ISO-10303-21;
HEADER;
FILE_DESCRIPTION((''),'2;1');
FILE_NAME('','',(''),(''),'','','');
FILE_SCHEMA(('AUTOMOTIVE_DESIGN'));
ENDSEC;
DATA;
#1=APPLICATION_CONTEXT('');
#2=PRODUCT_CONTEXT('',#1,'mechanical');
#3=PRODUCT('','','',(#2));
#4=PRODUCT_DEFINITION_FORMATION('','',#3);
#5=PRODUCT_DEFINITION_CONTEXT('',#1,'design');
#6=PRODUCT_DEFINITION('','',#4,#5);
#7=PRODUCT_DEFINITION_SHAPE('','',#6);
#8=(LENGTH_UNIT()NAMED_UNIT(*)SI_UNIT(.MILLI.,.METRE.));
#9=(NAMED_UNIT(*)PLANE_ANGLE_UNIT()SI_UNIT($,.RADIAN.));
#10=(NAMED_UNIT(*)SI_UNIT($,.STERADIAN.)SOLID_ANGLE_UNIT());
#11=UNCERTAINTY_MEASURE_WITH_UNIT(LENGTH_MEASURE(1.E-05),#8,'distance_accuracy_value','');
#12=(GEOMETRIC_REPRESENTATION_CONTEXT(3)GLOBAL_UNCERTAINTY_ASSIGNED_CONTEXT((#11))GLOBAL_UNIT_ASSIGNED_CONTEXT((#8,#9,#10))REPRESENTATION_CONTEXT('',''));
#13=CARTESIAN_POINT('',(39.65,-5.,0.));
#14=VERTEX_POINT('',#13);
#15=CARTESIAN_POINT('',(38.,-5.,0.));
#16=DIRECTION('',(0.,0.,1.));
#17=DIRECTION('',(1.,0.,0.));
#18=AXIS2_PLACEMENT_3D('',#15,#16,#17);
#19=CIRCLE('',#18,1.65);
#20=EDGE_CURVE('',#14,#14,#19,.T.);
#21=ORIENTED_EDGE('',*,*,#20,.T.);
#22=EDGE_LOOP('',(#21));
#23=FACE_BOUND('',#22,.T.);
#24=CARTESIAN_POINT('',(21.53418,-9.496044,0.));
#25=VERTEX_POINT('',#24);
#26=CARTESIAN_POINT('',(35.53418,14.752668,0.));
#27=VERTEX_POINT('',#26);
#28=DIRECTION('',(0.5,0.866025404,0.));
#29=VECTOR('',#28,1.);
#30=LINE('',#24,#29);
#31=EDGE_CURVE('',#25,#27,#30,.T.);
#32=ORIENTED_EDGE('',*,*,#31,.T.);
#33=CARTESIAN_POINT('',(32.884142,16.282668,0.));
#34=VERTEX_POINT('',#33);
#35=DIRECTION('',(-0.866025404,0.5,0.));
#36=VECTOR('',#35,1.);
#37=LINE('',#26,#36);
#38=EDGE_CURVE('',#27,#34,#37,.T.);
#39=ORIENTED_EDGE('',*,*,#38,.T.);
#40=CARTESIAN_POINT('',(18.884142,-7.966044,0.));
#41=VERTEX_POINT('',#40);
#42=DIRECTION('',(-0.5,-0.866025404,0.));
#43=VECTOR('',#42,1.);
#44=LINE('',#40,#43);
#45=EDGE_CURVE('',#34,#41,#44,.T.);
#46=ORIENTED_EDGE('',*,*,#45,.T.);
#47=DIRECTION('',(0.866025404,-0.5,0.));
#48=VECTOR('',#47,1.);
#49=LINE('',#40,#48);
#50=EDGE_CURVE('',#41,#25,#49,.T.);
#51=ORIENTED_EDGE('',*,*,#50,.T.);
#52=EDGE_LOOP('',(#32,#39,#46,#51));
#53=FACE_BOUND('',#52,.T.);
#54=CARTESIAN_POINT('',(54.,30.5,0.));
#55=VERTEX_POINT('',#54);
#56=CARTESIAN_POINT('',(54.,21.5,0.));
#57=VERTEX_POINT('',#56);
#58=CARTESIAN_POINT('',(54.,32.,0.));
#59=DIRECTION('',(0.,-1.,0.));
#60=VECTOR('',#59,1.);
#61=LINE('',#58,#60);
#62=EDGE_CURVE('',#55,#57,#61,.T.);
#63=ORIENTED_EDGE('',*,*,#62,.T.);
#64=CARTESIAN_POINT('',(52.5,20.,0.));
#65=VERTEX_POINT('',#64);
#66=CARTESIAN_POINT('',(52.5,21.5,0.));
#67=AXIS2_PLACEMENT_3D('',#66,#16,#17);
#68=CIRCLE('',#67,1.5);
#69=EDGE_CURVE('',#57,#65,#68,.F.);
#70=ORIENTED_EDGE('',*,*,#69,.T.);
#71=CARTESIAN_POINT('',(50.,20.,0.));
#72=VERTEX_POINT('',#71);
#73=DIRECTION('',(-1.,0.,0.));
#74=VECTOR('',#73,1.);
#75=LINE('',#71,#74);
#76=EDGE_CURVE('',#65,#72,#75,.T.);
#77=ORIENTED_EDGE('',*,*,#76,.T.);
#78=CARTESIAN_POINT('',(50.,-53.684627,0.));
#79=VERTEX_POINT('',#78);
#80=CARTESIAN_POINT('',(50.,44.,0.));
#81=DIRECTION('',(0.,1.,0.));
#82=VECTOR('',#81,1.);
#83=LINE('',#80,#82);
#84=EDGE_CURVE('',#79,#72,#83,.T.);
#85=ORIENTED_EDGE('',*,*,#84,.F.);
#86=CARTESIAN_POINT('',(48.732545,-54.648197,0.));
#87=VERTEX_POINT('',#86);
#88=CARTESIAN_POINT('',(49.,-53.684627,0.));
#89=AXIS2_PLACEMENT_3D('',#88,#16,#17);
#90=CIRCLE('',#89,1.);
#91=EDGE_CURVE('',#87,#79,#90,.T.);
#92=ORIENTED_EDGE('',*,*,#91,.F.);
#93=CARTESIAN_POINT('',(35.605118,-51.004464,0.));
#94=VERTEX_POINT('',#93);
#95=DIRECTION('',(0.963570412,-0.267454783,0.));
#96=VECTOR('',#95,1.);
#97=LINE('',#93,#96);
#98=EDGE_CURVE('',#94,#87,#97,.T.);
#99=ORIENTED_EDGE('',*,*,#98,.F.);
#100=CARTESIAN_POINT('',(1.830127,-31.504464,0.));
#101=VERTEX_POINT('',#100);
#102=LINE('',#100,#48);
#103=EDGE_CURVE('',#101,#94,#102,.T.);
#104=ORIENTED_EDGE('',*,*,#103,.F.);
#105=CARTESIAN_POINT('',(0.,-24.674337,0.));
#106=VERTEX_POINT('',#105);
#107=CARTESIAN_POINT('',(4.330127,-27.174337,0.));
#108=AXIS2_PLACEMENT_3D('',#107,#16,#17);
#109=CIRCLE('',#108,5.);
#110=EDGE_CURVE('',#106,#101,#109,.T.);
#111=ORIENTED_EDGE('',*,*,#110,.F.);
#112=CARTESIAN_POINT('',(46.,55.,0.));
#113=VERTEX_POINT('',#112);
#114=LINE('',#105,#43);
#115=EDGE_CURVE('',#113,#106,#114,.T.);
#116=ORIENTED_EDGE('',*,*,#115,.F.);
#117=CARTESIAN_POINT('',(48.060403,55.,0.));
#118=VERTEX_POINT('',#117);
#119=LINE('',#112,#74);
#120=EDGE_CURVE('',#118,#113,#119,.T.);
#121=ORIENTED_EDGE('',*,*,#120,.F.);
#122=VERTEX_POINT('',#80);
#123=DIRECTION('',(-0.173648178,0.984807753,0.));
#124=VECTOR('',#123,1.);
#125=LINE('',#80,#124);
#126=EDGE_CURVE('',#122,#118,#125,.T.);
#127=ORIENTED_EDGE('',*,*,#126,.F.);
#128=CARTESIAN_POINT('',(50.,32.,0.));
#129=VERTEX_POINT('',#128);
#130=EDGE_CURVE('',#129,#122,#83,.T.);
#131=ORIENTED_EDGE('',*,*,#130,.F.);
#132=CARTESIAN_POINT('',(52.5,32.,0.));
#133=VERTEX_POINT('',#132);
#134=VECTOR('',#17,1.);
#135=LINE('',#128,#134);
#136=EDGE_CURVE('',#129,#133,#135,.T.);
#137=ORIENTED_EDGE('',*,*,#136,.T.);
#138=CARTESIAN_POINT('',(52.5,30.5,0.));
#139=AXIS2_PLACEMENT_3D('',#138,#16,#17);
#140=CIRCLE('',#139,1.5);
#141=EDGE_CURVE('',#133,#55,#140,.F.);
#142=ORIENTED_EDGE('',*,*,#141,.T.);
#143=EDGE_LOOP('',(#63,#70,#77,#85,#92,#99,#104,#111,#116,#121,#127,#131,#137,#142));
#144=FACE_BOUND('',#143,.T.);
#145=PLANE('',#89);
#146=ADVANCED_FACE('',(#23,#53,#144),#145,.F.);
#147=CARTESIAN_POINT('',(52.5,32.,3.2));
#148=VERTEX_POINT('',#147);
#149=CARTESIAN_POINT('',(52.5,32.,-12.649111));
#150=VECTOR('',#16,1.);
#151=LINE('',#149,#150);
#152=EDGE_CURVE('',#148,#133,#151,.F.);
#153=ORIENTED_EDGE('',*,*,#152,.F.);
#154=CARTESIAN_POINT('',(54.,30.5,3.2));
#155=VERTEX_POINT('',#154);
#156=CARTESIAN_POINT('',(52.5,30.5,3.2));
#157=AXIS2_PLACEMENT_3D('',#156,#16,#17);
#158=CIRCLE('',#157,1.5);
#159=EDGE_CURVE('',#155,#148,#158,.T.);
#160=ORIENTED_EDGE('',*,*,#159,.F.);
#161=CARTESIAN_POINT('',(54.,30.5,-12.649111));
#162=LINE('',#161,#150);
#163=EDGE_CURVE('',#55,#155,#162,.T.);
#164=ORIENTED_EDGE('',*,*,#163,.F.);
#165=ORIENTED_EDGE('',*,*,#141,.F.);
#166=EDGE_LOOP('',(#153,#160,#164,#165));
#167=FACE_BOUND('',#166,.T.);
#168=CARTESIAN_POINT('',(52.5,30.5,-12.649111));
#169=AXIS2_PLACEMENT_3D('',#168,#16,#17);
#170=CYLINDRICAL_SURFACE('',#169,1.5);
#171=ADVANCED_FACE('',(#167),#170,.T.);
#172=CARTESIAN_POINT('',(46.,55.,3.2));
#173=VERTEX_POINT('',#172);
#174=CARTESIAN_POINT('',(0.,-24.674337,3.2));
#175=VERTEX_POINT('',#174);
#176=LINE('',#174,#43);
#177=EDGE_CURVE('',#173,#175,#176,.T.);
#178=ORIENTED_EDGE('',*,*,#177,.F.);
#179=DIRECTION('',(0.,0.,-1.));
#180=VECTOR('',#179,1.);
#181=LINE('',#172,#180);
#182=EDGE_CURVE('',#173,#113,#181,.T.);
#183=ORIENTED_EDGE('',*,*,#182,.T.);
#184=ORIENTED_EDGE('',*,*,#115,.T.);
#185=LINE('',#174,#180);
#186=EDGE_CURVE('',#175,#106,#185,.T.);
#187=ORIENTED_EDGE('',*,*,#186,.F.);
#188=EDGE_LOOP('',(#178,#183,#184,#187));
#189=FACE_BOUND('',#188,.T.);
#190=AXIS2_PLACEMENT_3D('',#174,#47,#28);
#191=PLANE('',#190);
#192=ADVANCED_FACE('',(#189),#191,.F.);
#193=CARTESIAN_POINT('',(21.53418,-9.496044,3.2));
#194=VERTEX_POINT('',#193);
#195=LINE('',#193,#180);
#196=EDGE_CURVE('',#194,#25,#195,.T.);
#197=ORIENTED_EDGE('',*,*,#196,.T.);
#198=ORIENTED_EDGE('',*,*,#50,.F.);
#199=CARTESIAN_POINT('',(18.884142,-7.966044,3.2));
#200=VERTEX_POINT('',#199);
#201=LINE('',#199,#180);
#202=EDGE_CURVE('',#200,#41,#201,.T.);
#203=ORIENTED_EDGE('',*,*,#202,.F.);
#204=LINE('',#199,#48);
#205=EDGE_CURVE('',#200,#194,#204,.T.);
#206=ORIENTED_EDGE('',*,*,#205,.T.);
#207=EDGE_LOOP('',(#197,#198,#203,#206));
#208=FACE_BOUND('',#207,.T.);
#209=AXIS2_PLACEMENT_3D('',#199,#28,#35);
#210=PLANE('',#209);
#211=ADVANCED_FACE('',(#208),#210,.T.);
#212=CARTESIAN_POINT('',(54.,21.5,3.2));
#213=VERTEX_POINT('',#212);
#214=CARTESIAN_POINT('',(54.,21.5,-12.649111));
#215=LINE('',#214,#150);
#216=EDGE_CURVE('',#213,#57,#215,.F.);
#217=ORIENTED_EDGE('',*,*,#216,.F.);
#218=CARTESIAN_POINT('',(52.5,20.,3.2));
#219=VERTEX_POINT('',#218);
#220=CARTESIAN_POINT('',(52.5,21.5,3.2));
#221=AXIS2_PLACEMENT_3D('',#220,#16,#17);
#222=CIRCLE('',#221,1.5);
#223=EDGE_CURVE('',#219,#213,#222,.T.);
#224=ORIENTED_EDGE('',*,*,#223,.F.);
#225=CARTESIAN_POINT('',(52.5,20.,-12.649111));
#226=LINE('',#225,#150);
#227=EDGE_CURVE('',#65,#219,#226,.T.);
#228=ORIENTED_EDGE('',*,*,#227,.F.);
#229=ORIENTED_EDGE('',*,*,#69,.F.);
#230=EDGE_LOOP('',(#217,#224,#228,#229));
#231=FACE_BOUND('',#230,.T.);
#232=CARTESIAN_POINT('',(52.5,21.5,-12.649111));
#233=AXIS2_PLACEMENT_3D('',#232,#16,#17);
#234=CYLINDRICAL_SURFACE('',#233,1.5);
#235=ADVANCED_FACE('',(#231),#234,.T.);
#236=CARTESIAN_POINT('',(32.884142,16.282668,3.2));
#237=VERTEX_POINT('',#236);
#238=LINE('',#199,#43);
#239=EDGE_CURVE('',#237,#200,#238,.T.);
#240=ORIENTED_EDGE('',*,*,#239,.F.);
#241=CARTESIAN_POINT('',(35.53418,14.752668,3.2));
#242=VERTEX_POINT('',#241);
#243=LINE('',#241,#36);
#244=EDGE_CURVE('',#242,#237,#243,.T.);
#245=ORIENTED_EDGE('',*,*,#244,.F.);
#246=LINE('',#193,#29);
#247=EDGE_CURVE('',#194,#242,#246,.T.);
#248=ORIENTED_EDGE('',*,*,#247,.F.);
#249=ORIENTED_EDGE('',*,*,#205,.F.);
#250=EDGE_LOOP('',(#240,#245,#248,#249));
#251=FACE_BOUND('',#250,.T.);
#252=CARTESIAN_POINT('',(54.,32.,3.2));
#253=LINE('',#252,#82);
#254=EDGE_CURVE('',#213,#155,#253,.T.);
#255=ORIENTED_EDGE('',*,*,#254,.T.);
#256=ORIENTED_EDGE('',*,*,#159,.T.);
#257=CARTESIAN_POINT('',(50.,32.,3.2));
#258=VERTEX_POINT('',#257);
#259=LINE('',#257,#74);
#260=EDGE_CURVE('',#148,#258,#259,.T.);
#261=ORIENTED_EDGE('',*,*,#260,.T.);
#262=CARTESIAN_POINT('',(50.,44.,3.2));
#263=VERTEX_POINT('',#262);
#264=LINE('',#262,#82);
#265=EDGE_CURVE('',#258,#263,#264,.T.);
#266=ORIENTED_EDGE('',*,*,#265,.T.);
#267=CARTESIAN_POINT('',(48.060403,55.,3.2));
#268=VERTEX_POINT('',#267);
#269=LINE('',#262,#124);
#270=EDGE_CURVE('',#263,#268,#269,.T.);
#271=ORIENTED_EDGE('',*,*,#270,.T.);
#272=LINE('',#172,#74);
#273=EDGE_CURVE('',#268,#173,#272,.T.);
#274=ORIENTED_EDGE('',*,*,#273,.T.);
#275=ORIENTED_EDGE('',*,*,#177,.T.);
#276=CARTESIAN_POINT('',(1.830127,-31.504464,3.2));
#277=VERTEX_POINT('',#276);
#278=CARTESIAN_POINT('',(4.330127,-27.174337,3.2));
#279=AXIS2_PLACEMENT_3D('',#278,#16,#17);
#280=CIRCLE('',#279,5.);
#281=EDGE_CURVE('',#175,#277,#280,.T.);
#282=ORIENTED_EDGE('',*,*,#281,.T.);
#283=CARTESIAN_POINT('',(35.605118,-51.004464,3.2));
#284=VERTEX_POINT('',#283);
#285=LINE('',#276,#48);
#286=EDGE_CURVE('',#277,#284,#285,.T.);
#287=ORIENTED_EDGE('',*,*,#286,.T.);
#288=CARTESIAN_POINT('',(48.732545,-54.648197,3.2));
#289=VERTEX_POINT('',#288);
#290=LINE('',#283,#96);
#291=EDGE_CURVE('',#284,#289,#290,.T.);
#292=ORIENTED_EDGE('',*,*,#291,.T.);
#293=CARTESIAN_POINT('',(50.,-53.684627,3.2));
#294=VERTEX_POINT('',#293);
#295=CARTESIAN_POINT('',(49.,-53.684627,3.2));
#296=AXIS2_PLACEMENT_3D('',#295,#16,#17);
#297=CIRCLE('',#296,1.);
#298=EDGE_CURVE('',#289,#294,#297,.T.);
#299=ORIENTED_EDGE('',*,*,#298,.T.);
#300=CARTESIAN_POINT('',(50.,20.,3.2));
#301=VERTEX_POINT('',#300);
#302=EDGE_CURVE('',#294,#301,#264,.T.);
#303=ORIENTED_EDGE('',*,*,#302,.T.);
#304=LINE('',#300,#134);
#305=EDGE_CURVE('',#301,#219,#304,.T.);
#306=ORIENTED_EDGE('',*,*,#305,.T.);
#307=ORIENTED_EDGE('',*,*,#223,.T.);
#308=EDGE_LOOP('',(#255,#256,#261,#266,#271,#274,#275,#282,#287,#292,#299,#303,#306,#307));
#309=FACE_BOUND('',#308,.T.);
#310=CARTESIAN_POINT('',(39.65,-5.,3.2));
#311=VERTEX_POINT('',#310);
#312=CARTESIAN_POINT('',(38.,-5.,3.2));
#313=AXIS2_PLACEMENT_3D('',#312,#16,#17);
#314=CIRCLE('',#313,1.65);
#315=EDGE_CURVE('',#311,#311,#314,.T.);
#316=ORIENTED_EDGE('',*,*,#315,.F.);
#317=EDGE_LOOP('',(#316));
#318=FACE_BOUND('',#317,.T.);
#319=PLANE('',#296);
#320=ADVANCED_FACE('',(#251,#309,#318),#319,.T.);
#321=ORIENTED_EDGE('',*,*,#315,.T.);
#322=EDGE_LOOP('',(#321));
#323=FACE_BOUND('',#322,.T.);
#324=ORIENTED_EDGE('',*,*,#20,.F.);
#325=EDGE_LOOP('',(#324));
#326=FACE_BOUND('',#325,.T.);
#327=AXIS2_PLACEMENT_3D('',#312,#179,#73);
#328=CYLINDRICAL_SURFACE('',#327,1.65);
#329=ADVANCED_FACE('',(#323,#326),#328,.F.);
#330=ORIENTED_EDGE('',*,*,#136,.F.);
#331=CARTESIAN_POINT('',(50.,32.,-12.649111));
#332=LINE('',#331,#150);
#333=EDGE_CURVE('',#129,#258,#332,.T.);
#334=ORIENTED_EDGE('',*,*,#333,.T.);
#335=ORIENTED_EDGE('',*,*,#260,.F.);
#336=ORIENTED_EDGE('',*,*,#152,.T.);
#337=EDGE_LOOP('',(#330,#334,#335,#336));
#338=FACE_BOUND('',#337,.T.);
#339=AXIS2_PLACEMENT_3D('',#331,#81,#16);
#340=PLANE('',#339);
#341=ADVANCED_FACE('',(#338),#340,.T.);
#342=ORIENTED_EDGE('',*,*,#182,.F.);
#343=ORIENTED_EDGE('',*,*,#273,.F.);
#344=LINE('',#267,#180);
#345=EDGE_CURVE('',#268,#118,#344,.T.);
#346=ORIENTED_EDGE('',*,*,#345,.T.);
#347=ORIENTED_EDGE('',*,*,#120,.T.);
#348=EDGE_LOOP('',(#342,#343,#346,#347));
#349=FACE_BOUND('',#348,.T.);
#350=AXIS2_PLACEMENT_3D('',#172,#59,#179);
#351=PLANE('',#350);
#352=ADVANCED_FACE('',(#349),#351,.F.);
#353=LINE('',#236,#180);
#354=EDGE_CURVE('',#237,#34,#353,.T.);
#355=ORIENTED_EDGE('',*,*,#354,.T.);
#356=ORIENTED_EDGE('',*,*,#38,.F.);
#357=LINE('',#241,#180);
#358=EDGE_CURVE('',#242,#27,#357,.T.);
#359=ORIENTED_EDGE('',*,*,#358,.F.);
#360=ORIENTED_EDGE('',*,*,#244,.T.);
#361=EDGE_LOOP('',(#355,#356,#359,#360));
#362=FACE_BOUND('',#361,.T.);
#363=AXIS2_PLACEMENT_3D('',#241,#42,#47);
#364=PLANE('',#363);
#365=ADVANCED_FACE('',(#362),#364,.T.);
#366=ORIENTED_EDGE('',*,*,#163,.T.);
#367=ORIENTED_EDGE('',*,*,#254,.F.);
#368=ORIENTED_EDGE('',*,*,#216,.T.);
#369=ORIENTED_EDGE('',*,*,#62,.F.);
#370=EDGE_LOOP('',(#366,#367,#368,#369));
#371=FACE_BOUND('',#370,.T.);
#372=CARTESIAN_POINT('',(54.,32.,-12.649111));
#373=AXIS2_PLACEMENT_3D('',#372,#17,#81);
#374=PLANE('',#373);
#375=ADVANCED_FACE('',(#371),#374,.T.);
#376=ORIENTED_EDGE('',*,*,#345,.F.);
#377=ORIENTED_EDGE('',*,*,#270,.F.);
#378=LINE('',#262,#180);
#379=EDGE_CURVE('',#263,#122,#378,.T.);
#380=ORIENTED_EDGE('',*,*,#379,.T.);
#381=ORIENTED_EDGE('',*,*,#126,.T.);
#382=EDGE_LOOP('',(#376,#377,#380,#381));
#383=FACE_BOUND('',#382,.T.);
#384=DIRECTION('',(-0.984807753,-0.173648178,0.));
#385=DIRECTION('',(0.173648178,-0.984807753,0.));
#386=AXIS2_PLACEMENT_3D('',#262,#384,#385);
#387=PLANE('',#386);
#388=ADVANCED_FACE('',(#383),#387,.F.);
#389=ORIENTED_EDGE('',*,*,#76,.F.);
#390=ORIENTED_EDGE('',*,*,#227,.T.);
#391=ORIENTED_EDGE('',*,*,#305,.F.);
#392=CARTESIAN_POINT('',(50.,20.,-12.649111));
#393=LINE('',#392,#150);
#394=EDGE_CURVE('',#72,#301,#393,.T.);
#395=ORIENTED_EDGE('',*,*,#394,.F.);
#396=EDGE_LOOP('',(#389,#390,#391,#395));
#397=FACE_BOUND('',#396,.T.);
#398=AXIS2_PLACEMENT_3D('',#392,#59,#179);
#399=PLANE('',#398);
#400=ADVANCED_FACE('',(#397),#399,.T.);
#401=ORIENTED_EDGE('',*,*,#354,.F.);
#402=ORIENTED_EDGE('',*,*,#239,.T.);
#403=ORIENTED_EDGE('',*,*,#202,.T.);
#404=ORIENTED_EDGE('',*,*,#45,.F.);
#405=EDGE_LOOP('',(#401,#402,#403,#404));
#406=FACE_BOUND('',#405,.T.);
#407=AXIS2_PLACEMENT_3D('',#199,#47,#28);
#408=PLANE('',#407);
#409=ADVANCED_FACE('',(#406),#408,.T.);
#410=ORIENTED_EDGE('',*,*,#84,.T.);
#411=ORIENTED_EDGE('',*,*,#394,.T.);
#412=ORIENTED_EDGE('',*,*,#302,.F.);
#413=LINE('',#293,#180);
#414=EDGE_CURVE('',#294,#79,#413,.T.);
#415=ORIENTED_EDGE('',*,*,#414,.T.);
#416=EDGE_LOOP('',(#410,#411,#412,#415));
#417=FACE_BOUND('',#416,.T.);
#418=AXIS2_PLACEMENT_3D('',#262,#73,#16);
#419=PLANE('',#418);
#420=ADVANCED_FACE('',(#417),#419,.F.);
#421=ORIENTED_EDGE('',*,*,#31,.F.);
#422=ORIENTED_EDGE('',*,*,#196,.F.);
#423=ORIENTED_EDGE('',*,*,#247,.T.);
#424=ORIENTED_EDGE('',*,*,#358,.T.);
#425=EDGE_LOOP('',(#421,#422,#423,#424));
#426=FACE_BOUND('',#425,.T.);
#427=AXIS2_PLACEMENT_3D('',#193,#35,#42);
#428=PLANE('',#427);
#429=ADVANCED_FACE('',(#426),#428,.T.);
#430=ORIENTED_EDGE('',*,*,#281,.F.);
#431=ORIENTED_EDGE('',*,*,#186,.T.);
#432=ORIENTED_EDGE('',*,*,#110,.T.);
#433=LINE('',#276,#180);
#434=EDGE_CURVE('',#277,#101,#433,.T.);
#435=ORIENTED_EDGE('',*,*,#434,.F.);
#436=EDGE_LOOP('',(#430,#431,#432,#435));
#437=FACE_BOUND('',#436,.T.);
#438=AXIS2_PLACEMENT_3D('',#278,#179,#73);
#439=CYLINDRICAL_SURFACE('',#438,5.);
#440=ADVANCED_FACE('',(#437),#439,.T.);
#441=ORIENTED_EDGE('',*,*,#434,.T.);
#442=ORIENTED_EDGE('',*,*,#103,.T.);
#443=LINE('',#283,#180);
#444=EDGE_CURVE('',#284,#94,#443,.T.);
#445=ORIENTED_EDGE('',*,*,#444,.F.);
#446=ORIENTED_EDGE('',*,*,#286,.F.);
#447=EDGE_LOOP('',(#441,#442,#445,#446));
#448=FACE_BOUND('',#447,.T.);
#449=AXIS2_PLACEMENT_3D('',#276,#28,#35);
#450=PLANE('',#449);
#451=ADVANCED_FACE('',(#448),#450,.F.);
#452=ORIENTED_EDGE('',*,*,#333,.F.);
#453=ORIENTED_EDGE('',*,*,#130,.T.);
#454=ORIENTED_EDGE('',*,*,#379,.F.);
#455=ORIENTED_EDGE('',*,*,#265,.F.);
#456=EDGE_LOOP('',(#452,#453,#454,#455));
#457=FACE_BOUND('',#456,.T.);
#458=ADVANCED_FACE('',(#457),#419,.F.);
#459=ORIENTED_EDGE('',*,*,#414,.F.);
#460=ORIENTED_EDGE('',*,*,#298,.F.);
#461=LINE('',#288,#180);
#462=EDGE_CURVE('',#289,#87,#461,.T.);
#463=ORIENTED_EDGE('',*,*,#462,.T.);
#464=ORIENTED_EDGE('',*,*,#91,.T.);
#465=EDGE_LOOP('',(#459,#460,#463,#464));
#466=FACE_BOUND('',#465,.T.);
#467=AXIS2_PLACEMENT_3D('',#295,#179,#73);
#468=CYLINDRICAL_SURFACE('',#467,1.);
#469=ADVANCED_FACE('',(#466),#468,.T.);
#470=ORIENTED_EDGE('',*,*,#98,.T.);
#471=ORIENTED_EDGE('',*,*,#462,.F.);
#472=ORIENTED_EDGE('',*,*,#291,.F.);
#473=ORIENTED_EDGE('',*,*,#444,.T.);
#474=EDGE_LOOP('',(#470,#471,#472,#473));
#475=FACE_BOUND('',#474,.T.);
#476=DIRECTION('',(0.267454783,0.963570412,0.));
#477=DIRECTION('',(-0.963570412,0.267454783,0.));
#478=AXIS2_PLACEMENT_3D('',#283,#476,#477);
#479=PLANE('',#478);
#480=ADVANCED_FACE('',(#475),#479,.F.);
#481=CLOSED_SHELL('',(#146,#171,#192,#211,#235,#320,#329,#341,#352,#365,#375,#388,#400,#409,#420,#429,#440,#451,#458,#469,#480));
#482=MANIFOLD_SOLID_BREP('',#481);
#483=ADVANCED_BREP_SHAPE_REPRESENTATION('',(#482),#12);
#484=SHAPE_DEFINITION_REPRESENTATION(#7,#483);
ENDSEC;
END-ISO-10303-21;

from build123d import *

# Parameters (mm, degrees)
SKETCH1_R           = 1.65
BOSS_EXTRUDE1_DEPTH = 3.2
SKETCH2_W           = 4
SKETCH2_H           = 12
BOSS_EXTRUDE2_DEPTH = 3.2
FILLET1_R           = 1.5


with BuildPart() as part:
    # Sketch1 → Boss-Extrude1 (new body)
    with BuildSketch(Plane.XY):
        with BuildLine():
            Line((1.830127019, -31.504464167), (35.605117766, -51.004464167))
            Line((35.605117766, -51.004464167), (48.732545217, -54.648197122))
            ThreePointArc((48.732545217, -54.648197122), (49.6052046, -54.480696676), (50, -53.68462671))
            Line((50, -53.68462671), (50, 44))
            Line((50, 44), (48.060403212, 55))
            Line((48.060403212, 55), (46, 55))
            Line((46, 55), (0, -24.674337148))
            ThreePointArc((0, -24.674337148), (-0.499502113, -28.468432374), (1.830127019, -31.504464167))
        make_face()
        with Locations((38, -5)):
            Circle(SKETCH1_R, mode=Mode.SUBTRACT)
        Polygon((18.88414205, -7.96604366), (32.88414205, 16.282667646), (35.534179786, 14.752667646), (21.534179786, -9.49604366), align=None, mode=Mode.SUBTRACT)
    extrude(amount=BOSS_EXTRUDE1_DEPTH)

    # Sketch2 → Boss-Extrude2 (add)
    with BuildSketch(Plane.XY.offset(3.2)):
        with Locations((52, 26)):
            Rectangle(SKETCH2_W, SKETCH2_H)
    extrude(amount=-BOSS_EXTRUDE2_DEPTH)

    # Fillet1
    fillet1_edges = [part.edges().sort_by_distance(p)[0] for p in [
        (54, 32, 1.6),
        (54, 20, 1.6),
    ]]
    fillet(fillet1_edges, radius=FILLET1_R)


solid = part.part
